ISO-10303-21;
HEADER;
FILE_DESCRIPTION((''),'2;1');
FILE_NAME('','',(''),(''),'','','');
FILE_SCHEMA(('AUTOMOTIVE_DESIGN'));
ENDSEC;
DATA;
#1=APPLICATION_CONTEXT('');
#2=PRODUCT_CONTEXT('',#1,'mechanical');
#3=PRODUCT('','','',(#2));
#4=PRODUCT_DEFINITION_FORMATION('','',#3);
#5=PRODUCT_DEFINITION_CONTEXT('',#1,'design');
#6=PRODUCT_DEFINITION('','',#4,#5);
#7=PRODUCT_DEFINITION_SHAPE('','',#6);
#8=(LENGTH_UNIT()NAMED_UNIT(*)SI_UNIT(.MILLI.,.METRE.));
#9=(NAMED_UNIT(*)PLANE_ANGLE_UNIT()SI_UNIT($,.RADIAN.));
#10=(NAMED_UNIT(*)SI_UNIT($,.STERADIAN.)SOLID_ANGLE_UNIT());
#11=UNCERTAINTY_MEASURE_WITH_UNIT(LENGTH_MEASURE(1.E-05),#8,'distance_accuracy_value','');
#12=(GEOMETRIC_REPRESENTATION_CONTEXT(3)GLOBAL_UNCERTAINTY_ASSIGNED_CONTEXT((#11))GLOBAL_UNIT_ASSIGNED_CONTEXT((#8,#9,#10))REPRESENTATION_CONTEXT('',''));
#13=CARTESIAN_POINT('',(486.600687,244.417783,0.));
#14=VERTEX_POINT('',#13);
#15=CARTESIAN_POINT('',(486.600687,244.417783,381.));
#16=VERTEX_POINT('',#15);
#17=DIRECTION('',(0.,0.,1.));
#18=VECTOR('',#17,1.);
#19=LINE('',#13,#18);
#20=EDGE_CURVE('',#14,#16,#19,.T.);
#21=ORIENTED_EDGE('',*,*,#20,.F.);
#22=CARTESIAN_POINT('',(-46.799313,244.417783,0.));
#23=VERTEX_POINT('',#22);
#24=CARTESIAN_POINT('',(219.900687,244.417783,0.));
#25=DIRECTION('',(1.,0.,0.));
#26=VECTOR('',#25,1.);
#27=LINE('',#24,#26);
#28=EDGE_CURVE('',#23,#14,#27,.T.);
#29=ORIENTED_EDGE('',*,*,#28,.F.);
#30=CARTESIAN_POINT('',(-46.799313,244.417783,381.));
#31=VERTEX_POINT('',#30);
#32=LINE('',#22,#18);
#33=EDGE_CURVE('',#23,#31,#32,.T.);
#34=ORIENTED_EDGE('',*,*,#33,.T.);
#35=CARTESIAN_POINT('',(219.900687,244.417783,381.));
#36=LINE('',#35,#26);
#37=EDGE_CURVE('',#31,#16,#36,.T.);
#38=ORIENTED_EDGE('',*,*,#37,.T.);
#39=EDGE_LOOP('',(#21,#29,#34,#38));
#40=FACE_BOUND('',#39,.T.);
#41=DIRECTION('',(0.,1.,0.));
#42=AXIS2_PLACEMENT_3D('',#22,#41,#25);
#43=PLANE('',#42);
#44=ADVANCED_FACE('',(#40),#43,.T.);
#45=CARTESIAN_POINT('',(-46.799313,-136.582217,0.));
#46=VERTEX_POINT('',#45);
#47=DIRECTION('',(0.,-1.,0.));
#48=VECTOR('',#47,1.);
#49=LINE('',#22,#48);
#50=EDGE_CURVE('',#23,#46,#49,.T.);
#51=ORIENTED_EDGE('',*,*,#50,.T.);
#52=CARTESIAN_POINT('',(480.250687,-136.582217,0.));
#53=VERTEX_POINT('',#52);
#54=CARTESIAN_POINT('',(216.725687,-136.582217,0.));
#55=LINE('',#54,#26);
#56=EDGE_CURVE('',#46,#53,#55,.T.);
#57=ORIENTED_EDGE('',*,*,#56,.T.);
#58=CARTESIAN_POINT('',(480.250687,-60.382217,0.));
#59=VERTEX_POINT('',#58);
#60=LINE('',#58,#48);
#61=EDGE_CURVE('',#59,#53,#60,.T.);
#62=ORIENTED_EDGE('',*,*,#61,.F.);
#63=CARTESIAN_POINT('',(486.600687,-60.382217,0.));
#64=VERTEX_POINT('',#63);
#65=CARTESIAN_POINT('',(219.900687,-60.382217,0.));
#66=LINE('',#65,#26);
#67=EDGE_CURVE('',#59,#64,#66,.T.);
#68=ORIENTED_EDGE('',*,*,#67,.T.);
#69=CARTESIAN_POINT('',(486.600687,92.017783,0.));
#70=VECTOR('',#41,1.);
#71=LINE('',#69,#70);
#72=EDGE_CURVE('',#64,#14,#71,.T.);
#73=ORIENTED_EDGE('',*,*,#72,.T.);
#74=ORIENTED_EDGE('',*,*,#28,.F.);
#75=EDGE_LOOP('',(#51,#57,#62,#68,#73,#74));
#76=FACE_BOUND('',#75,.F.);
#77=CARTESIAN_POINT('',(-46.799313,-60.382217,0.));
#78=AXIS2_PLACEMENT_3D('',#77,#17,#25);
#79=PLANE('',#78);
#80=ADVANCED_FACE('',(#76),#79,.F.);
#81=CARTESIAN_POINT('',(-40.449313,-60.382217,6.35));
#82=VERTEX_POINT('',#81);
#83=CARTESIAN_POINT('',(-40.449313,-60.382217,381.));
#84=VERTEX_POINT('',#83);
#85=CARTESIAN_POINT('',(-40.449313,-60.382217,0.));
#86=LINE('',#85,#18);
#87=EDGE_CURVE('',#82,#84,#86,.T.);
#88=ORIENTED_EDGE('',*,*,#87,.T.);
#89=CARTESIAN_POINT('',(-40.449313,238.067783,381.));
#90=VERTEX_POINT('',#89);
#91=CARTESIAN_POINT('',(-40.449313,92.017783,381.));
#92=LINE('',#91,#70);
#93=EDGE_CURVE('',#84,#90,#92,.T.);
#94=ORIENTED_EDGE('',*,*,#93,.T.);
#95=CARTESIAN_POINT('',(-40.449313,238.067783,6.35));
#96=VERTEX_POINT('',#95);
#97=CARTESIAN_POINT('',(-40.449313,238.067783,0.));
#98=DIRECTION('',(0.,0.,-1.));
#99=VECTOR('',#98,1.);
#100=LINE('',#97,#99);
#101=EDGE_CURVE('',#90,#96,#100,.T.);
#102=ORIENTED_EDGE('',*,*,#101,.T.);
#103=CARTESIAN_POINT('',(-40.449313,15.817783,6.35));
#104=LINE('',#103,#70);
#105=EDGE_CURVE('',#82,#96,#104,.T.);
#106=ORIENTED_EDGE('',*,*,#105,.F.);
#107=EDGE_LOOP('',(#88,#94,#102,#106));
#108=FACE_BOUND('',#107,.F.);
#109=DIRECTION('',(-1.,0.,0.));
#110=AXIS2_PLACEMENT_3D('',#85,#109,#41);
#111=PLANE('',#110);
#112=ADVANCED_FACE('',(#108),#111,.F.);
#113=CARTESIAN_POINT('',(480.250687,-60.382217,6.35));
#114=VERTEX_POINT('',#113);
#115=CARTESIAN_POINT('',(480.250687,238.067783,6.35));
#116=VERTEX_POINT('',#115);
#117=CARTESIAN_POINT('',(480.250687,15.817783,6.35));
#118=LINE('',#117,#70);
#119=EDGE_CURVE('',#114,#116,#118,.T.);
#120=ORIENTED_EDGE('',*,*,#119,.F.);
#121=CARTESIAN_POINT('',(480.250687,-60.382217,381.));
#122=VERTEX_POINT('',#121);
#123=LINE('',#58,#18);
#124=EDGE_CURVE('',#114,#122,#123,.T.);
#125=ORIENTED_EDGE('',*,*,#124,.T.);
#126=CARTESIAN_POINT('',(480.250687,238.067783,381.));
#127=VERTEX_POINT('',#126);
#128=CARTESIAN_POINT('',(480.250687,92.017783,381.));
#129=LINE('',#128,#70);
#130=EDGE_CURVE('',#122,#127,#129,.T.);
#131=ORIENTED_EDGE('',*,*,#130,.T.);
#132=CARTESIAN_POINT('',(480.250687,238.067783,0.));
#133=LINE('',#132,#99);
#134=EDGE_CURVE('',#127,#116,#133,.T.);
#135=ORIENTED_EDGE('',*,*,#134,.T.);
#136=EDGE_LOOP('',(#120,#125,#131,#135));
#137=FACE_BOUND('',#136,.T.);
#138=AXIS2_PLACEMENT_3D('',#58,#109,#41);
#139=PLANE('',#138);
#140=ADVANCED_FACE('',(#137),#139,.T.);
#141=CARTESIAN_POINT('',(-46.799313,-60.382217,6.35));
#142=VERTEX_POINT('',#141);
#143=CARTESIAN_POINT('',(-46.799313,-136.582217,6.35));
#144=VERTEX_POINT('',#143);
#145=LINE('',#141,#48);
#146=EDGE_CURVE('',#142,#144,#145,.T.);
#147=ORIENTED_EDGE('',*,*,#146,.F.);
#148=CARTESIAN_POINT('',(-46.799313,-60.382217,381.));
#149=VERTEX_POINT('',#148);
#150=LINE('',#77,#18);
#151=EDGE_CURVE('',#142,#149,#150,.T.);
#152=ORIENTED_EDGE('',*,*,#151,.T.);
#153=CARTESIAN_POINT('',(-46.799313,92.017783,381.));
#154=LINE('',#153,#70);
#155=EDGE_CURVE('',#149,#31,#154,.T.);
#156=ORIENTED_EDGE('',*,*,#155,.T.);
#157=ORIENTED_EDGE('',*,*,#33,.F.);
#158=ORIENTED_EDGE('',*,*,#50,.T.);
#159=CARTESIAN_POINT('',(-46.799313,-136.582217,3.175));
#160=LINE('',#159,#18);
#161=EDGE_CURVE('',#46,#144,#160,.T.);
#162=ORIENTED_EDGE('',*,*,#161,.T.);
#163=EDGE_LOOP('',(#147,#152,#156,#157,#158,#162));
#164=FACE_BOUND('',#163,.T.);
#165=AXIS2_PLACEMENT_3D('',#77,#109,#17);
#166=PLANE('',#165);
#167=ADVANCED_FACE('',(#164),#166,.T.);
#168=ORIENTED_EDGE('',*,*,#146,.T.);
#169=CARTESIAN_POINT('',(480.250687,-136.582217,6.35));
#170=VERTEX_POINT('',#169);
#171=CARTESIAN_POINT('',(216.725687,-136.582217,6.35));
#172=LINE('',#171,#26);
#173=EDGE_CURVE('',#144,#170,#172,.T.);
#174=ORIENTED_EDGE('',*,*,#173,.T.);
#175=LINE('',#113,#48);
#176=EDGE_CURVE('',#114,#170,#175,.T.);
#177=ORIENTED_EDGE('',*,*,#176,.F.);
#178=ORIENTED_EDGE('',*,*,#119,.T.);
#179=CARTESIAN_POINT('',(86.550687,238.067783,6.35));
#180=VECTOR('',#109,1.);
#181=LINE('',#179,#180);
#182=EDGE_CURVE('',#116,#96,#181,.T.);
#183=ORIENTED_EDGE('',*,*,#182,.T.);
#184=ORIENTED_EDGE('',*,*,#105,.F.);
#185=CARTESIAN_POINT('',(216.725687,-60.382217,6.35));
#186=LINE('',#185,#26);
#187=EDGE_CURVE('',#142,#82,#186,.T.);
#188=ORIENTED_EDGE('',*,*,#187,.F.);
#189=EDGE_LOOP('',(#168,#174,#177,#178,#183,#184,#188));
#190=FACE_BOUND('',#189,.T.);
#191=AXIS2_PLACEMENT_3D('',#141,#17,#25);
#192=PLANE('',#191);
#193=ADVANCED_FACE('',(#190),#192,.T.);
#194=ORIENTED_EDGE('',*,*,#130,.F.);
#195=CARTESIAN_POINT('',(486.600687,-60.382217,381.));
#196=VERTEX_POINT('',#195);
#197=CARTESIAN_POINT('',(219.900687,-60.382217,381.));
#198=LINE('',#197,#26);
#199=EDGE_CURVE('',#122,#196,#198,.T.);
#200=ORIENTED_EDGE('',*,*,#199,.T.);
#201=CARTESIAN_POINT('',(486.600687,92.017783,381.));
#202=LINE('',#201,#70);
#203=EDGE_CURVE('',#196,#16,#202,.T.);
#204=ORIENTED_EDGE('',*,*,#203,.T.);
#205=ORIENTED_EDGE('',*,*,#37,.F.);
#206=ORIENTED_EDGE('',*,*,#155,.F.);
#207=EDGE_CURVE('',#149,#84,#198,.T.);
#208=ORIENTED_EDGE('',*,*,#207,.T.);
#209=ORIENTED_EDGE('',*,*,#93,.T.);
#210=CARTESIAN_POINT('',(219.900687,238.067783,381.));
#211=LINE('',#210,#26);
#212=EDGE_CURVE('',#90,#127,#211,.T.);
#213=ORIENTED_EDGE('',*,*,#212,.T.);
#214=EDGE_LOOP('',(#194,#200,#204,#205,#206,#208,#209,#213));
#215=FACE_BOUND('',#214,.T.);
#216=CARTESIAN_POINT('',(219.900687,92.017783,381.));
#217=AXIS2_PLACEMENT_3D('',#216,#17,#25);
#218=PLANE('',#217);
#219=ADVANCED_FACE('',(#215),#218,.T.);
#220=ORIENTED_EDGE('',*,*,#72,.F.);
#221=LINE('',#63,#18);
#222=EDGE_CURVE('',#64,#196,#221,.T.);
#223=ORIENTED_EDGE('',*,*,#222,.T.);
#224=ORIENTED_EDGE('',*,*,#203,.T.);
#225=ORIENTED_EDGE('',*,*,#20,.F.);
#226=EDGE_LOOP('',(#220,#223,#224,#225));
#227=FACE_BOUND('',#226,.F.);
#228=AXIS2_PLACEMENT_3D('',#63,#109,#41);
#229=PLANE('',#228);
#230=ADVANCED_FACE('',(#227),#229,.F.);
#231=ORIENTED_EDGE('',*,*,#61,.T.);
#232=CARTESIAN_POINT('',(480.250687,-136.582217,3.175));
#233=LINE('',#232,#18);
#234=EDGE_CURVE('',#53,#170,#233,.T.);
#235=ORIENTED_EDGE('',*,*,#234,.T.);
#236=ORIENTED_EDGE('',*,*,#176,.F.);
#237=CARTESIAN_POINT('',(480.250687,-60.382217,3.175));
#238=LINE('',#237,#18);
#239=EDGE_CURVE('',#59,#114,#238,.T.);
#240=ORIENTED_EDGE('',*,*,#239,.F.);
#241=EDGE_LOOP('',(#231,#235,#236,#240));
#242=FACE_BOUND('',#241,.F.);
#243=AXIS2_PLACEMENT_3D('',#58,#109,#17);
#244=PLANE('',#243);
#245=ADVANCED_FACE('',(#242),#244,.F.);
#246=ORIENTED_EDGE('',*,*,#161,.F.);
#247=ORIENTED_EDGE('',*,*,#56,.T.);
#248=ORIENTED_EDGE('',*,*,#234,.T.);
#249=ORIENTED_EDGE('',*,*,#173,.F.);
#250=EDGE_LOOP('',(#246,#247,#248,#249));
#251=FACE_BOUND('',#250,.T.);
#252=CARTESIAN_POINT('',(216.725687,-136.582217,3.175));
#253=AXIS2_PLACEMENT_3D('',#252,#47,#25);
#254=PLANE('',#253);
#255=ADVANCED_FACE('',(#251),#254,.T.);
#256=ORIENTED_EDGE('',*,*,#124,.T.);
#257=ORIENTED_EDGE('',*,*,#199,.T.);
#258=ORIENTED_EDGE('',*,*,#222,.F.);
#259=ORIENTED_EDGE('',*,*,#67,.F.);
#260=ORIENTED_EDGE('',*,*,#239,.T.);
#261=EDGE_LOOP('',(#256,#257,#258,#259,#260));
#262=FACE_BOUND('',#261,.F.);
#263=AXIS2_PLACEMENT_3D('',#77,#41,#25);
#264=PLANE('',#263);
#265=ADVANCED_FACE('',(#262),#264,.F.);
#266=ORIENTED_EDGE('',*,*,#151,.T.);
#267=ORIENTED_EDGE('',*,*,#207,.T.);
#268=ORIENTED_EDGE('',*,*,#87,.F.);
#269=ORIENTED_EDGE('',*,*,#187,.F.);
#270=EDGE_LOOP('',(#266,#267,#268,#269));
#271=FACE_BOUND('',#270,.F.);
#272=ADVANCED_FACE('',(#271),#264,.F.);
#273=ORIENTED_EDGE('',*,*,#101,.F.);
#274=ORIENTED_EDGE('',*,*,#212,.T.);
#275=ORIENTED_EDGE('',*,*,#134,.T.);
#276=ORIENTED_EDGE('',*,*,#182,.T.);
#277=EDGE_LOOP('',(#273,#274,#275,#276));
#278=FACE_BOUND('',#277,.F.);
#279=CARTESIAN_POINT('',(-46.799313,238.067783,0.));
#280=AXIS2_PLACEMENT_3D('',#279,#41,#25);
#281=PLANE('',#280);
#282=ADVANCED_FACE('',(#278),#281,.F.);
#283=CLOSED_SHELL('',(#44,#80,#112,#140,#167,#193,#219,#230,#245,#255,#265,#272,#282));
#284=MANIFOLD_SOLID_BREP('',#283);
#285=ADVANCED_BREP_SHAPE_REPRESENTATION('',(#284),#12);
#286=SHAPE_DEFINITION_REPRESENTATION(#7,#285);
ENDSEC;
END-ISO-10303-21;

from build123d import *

# Parameters (mm, degrees)
F0_W     = 533.4
F0_H     = 304.8
F1_DEPTH = 381
F2_T     = -6.35
F3_W     = 527.05
F3_H     = 6.35
F4_DEPTH = 76.2


with BuildPart() as f1:
    # F0 (on Top) → F1 (new body)
    with BuildSketch(Plane.XY):
        with Locations((219.900687, 92.017783)):
            Rectangle(F0_W, F0_H)
    extrude(amount=F1_DEPTH)

    # F2
    f2_openings = [f1.faces().sort_by_distance(p)[0] for p in [
        (219.900687, 92.017783, 381),
        (219.900687, -60.382217, 190.5),
    ]]
    offset(amount=F2_T, openings=f2_openings)

    # F3 (on face) → F4 (join)
    with BuildSketch(Plane.XZ.offset(60.382217)):
        with Locations((216.725687, 3.175)):
            Rectangle(F3_W, F3_H)
    extrude(amount=F4_DEPTH)


solid = f1.part
